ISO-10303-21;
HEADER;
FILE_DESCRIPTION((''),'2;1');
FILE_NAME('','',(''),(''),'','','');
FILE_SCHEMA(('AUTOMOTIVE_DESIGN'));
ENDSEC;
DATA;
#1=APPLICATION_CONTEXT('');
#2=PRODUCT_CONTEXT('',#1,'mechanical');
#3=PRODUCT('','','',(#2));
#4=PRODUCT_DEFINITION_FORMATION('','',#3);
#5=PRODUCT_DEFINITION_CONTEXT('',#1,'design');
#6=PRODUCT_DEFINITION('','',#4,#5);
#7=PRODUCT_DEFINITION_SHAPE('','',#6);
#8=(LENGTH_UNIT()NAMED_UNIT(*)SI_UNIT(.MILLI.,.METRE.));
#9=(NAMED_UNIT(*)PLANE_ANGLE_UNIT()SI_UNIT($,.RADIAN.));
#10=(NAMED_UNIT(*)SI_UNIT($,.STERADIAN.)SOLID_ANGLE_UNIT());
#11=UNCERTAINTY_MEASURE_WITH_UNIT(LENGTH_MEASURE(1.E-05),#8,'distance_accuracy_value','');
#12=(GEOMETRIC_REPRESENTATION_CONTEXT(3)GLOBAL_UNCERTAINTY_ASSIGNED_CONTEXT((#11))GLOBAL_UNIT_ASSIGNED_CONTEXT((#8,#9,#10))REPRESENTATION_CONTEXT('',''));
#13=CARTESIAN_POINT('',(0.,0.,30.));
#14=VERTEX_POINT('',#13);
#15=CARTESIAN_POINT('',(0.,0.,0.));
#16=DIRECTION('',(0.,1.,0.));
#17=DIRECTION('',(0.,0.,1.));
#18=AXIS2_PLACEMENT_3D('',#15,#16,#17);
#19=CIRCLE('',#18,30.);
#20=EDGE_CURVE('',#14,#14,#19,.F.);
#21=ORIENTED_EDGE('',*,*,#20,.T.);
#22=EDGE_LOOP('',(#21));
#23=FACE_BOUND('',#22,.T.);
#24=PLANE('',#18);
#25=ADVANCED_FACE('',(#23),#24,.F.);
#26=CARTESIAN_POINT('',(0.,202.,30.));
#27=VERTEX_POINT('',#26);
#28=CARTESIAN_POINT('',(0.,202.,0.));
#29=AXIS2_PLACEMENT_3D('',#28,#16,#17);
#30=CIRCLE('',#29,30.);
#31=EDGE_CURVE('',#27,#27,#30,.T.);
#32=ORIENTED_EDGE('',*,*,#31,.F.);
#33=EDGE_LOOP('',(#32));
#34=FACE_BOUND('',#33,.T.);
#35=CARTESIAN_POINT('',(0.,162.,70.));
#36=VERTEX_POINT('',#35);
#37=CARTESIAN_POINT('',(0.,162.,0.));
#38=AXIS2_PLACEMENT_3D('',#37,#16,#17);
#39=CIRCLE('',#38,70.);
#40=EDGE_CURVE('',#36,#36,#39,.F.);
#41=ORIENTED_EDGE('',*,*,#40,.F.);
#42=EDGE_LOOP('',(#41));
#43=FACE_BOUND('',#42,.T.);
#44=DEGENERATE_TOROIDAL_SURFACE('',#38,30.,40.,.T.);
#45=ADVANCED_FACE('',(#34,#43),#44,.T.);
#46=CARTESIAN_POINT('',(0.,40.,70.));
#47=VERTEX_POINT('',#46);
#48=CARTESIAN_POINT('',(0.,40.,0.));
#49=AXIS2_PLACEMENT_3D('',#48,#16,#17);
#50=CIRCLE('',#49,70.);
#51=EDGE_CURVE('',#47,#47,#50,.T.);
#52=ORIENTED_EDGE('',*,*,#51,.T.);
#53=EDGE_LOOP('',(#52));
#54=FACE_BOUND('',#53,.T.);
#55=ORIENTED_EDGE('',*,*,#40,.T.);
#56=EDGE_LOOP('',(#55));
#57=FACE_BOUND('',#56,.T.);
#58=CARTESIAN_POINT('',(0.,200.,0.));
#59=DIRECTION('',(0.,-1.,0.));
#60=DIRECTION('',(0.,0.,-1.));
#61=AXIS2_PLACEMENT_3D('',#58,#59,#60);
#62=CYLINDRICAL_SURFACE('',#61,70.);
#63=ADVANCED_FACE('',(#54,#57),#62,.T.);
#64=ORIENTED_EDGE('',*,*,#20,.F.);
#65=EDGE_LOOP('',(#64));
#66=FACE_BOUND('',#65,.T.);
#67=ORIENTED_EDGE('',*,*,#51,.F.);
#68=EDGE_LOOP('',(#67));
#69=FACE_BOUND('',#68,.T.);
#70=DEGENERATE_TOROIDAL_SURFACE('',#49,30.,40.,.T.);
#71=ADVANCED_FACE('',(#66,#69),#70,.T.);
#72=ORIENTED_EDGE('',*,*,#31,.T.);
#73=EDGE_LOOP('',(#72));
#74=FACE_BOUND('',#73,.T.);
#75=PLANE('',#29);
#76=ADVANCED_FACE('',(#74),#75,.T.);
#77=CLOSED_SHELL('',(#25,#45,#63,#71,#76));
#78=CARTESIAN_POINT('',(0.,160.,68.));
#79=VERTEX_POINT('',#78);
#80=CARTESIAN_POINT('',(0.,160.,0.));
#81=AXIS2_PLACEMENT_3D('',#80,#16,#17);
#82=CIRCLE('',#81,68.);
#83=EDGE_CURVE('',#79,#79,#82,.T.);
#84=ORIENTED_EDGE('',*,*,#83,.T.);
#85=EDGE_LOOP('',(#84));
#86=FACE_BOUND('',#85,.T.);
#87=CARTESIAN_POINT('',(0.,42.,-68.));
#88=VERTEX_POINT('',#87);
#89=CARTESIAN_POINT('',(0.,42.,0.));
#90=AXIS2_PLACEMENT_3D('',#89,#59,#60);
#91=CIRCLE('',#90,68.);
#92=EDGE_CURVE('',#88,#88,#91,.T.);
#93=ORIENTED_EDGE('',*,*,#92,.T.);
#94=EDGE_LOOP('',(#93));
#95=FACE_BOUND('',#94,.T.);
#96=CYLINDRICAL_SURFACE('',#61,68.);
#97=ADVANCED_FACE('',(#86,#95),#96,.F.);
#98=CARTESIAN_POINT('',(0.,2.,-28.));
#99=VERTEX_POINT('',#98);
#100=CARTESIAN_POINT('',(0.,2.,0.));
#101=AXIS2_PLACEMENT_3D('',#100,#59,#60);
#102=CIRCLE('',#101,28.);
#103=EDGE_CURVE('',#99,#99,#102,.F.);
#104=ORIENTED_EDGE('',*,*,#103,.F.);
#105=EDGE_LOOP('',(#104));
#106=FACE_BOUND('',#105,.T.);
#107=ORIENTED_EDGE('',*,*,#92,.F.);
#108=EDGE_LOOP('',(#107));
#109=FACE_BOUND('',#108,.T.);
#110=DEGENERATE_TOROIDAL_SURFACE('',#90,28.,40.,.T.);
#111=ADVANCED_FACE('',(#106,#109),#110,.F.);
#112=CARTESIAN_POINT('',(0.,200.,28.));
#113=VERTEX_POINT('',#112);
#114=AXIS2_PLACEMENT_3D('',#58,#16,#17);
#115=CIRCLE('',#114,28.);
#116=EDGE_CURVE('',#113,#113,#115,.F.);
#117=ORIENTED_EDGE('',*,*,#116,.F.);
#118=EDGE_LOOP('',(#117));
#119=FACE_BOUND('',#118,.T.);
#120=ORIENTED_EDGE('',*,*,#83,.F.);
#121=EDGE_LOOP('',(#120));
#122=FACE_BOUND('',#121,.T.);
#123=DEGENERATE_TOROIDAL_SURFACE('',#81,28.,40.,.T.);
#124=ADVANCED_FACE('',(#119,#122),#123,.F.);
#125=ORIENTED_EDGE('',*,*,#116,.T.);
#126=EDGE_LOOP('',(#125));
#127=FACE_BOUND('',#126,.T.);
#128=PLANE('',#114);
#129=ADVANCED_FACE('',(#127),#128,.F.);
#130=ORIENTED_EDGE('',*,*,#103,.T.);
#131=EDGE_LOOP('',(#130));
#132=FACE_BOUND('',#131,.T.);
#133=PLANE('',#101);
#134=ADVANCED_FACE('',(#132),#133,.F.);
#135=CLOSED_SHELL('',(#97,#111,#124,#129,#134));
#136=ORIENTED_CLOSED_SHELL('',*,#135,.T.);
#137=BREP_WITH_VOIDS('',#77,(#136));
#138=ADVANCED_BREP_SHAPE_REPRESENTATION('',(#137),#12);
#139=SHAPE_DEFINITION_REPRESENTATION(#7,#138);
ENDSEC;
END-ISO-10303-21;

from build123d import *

# Parameters (mm, degrees)
SKETCH1_R           = 70
SKETCH1_R_2         = 68
BOSS_EXTRUDE1_DEPTH = 200
SKETCH2_R           = 70
BOSS_EXTRUDE2_DEPTH = 2
SKETCH4_R           = 70
BOSS_EXTRUDE3_DEPTH = 2
FILLET1_R           = 40


with BuildPart() as part:
    # Sketch1 → Boss-Extrude1 (new body)
    with BuildSketch(Plane(origin=(0, 0, 0), x_dir=(1, 0, 0), z_dir=(0, 1, 0))):
        with Locations(Location((0, 0, 0), (0, 0, 270))):
            Circle(SKETCH1_R)
        with Locations(Location((0, 0, 0), (0, 0, 270))):
            Circle(SKETCH1_R_2, mode=Mode.SUBTRACT)
    extrude(amount=BOSS_EXTRUDE1_DEPTH)

    # Sketch2 → Boss-Extrude2 (add)
    with BuildSketch(Plane.XZ):
        with Locations(Location((0, 0, 0), (0, 0, 90))):
            Circle(SKETCH2_R)
    extrude(amount=-BOSS_EXTRUDE2_DEPTH)

    # Sketch4 → Boss-Extrude3 (add)
    with BuildSketch(Plane(origin=(0, 200, 0), x_dir=(1, 0, 0), z_dir=(0, 1, 0))):
        with Locations(Location((0, 0, 0), (0, 0, 270))):
            Circle(SKETCH4_R)
    extrude(amount=BOSS_EXTRUDE3_DEPTH)

    # Fillet1
    fillet1_edges = [part.edges().sort_by_distance(p)[0] for p in [
        (0, 2, -68),
        (0, 200, -68),
        (0, 202, -70),
        (0, 0, -70),
    ]]
    fillet(fillet1_edges, radius=FILLET1_R)


solid = part.part
